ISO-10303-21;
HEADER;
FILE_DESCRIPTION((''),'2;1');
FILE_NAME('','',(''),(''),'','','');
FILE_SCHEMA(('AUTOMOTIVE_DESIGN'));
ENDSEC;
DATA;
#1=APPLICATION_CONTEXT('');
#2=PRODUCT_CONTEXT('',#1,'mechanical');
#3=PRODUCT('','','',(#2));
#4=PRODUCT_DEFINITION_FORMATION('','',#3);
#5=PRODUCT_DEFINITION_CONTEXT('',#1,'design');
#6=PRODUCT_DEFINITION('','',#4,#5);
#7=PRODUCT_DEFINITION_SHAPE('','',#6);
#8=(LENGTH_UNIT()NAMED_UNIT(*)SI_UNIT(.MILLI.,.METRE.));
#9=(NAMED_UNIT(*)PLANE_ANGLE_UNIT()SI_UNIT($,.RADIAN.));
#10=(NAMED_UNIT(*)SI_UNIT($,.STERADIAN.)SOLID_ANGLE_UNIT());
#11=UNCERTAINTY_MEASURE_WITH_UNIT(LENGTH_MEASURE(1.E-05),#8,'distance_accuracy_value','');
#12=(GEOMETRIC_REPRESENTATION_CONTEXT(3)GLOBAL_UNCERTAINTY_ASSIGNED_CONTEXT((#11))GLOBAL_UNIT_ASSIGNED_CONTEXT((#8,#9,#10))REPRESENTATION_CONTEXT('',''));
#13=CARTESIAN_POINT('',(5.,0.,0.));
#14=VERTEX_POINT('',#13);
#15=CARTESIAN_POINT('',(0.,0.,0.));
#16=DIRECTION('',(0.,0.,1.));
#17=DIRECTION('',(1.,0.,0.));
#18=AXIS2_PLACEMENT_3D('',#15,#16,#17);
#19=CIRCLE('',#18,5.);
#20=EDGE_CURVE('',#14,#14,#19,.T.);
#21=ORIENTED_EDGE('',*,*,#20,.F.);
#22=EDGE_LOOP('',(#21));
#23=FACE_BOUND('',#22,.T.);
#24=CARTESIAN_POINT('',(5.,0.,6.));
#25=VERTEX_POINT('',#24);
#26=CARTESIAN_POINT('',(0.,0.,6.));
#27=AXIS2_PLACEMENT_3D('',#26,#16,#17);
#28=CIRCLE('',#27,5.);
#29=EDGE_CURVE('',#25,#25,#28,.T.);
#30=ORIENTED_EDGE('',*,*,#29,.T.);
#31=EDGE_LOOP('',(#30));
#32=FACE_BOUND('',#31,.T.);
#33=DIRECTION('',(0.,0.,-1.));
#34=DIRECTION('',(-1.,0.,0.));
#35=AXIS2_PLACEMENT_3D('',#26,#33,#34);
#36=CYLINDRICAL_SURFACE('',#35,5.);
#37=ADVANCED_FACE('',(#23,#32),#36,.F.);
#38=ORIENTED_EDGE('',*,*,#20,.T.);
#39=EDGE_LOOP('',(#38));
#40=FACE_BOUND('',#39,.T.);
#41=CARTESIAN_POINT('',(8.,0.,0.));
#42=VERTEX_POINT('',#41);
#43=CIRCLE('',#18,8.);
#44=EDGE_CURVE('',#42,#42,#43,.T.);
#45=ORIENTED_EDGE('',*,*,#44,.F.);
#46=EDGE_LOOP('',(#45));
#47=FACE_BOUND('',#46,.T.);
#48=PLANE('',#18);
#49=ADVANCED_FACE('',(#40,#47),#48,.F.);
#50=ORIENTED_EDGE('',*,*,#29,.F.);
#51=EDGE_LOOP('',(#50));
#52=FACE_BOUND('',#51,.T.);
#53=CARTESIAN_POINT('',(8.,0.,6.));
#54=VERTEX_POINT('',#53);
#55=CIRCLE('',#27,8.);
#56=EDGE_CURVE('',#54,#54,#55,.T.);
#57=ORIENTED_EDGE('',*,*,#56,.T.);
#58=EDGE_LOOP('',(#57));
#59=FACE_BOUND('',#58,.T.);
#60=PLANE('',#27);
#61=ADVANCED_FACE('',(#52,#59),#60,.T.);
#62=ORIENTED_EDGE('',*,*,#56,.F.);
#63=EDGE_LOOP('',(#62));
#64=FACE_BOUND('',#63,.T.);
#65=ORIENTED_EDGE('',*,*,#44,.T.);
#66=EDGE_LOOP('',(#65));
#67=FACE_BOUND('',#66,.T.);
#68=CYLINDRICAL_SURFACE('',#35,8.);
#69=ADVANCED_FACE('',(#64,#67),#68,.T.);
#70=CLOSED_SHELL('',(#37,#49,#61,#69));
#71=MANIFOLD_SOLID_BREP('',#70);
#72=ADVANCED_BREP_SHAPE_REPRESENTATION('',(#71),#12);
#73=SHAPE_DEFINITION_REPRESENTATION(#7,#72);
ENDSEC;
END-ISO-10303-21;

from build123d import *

# Parameters (mm, degrees)
SKETCH1_R      = 8
SKETCH1_R_2    = 5
EXTRUDE1_DEPTH = 6


with BuildPart() as part:
    # Sketch1 → Extrude1 (new body)
    with BuildSketch(Plane.XY):
        Circle(SKETCH1_R)
        Circle(SKETCH1_R_2, mode=Mode.SUBTRACT)
    extrude(amount=EXTRUDE1_DEPTH)


solid = part.part
